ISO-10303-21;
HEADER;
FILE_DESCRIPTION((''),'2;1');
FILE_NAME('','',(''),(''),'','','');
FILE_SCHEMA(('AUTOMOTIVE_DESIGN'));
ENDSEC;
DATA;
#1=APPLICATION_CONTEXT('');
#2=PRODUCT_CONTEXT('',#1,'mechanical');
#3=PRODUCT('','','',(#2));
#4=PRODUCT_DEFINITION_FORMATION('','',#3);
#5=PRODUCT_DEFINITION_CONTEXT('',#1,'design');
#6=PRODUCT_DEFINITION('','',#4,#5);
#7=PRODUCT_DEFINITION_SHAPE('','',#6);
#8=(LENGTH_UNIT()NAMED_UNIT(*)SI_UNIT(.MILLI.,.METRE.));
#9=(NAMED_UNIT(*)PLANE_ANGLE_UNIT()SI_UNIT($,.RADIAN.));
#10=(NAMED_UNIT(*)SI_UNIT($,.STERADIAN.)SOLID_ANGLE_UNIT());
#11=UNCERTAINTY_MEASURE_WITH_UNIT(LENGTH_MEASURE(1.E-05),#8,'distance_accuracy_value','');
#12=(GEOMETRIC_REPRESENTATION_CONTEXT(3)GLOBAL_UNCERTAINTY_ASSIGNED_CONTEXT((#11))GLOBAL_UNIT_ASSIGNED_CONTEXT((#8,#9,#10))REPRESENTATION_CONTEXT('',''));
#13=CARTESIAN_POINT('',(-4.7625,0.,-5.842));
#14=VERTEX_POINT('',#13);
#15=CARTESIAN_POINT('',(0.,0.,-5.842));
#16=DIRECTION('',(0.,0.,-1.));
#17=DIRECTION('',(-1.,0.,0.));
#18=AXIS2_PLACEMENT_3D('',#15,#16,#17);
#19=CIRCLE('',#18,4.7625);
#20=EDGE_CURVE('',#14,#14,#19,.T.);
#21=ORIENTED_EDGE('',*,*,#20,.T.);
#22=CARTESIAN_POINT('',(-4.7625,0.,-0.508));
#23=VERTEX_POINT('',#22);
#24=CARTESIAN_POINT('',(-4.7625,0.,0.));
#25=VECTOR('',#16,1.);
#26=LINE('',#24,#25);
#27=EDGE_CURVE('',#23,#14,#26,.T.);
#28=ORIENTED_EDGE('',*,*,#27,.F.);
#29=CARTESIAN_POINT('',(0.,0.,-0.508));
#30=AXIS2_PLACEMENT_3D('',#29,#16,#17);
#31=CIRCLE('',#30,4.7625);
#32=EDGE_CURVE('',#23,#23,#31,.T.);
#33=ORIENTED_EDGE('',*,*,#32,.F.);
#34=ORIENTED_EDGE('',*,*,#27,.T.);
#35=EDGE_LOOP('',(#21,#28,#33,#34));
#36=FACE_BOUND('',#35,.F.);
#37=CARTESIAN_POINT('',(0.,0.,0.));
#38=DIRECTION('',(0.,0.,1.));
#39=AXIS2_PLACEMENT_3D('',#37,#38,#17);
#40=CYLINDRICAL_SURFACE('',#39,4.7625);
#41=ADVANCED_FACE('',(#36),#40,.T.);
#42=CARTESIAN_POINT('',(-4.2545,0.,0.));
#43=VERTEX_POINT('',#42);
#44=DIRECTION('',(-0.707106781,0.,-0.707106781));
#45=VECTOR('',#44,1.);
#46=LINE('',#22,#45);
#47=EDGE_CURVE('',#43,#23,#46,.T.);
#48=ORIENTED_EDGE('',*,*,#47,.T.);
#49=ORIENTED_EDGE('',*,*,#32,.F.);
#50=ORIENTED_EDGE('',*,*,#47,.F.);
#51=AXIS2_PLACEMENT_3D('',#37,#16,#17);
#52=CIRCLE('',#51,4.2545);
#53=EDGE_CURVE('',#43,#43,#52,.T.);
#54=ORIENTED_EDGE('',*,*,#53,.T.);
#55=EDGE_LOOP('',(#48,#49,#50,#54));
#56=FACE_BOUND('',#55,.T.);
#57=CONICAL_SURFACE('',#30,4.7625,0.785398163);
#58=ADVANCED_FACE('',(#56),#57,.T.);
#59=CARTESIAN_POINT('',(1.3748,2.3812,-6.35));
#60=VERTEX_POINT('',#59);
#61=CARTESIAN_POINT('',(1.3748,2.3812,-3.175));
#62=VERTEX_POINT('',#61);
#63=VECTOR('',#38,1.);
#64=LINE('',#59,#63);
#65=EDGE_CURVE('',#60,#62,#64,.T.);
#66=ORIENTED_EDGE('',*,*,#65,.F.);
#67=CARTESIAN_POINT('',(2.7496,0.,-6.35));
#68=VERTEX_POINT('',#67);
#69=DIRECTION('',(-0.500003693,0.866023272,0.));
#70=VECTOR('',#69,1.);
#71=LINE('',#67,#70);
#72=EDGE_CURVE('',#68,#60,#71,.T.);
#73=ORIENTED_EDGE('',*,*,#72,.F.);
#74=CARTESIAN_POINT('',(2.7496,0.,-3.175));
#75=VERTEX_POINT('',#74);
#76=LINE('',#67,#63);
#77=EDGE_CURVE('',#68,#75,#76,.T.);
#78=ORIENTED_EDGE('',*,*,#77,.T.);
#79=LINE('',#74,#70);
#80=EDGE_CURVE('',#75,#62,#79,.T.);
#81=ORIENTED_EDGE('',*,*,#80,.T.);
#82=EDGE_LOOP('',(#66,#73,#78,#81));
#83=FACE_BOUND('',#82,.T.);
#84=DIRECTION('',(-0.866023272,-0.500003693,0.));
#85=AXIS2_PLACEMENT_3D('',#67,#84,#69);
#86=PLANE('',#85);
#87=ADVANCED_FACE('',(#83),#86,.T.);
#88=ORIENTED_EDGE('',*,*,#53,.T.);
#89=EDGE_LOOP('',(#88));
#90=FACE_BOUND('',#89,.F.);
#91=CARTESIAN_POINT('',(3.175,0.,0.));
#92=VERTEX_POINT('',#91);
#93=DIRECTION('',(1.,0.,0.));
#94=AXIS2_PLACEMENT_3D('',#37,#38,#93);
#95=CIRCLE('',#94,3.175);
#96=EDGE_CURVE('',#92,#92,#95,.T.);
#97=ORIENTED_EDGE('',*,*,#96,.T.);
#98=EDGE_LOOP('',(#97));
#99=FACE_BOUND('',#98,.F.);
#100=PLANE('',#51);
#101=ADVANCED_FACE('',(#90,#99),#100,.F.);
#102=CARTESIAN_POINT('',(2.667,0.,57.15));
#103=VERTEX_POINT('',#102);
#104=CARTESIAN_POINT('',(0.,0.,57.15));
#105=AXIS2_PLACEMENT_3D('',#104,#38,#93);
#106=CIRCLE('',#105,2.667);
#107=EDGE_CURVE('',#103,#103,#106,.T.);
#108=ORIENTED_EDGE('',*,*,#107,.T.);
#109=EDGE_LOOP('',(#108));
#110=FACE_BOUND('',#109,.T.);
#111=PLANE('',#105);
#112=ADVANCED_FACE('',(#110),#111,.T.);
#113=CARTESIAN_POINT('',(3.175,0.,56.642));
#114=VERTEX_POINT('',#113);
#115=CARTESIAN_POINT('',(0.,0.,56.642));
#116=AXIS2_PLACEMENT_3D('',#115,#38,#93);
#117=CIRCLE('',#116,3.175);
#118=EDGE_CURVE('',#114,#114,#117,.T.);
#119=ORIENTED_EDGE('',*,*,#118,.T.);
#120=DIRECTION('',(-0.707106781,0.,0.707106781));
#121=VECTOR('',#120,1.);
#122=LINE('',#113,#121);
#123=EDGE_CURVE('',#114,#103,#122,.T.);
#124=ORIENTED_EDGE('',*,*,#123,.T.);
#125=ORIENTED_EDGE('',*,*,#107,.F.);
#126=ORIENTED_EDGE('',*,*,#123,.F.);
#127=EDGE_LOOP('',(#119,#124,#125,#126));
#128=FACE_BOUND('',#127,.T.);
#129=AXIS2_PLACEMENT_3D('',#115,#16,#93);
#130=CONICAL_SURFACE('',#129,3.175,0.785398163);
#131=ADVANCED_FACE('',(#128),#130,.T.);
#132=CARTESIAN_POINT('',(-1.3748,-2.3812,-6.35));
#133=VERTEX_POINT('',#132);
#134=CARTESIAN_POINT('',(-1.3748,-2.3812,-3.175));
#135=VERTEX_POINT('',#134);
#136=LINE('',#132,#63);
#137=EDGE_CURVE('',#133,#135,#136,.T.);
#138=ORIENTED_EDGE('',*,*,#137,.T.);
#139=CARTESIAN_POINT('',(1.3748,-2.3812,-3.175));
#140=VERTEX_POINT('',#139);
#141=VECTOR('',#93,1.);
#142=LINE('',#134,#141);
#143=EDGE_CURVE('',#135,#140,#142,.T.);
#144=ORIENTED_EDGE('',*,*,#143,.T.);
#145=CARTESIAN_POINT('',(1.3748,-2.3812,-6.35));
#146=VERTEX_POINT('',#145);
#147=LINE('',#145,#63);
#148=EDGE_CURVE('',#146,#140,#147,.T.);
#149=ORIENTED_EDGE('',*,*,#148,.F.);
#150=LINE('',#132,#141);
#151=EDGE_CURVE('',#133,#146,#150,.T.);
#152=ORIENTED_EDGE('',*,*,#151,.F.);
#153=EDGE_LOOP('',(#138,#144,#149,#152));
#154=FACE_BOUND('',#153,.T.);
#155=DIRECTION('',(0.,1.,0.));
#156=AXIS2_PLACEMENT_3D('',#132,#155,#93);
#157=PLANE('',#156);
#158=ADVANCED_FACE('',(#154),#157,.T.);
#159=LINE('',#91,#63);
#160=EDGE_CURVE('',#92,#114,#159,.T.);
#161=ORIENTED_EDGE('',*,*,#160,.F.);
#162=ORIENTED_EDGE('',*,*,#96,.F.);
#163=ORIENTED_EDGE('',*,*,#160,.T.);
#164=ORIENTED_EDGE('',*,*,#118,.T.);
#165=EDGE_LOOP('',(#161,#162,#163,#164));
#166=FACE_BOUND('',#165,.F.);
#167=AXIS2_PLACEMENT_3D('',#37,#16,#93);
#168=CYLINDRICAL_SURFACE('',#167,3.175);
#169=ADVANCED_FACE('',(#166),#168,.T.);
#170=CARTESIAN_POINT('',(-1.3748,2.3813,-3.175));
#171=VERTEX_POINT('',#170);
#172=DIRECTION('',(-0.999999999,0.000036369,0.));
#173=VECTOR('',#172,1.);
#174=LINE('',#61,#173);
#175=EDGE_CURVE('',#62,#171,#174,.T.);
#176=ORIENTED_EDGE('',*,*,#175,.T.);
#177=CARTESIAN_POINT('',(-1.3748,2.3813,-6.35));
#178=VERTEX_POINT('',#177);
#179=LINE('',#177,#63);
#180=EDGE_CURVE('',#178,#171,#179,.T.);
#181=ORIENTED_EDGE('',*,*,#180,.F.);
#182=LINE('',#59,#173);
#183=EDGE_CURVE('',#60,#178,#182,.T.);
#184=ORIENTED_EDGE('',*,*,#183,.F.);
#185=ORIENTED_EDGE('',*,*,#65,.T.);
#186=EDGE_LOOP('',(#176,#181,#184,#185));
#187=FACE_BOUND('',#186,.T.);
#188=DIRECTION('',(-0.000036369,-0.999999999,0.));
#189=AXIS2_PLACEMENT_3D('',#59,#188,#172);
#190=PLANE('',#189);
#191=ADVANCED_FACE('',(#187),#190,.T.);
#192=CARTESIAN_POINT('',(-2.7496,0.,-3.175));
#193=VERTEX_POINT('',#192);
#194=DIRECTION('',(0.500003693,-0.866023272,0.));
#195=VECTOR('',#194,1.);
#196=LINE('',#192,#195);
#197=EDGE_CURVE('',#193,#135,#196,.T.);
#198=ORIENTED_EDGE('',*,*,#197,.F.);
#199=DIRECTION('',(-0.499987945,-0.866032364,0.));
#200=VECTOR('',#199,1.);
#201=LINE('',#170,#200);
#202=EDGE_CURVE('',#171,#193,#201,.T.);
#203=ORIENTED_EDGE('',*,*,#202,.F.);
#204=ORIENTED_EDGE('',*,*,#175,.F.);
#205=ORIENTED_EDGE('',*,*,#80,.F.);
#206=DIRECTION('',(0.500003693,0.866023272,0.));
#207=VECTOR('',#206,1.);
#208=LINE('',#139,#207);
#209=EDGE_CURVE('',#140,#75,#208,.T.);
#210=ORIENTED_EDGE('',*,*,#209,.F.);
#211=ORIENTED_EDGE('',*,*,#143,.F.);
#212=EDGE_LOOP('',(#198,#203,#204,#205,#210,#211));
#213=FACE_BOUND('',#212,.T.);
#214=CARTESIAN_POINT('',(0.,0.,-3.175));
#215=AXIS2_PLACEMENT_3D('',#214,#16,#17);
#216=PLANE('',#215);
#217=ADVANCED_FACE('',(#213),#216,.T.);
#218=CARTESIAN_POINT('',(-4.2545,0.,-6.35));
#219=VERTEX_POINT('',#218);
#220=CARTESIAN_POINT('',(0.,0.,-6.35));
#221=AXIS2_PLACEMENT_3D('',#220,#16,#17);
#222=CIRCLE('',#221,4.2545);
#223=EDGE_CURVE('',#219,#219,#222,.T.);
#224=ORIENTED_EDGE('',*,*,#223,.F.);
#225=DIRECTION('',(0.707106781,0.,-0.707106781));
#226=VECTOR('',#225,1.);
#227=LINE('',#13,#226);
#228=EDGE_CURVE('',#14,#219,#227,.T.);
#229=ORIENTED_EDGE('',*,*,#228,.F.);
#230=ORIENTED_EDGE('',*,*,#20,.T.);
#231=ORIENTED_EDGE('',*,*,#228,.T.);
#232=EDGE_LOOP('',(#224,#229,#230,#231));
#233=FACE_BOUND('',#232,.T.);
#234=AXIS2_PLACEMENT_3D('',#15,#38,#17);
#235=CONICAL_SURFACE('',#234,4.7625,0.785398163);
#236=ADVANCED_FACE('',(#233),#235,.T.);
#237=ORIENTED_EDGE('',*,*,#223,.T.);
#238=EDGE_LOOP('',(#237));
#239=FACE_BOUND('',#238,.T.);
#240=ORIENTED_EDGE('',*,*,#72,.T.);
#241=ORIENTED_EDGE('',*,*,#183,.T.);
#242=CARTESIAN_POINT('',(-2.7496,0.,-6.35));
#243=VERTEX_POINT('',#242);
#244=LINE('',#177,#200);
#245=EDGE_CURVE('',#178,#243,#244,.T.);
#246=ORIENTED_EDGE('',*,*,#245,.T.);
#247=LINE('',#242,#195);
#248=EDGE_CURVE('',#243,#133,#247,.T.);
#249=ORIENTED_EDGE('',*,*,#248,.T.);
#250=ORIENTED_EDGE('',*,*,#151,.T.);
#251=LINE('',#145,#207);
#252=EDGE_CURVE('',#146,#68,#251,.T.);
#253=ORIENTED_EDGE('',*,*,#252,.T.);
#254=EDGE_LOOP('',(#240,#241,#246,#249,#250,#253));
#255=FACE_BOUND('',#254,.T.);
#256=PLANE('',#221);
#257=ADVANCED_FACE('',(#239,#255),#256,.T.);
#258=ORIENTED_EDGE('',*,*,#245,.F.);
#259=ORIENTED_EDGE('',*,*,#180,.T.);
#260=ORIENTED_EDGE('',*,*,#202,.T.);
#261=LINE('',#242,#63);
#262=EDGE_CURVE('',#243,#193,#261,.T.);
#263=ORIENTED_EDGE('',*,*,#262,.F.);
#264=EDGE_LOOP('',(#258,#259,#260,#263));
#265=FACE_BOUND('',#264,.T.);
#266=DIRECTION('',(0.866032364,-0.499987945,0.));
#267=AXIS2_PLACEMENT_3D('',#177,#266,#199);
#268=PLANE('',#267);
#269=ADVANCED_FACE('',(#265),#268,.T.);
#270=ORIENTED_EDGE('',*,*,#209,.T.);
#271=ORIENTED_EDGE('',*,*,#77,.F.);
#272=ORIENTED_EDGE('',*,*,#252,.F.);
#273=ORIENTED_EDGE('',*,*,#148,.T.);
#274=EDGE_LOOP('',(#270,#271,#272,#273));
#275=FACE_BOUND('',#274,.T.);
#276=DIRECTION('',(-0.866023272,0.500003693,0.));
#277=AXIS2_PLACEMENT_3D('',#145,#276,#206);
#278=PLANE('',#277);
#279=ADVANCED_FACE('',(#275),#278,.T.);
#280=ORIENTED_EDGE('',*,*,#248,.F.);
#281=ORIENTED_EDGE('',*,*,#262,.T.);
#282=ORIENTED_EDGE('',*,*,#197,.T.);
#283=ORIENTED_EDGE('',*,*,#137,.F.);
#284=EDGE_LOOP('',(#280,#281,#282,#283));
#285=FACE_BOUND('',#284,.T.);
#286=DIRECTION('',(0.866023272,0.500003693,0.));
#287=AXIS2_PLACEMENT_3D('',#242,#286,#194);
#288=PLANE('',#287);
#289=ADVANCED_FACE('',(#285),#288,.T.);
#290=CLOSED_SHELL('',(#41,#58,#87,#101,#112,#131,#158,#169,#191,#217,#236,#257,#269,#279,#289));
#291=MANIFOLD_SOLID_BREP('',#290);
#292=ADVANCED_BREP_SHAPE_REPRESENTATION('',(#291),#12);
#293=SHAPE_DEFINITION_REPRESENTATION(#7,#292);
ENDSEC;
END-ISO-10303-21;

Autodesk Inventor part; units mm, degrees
ref_plane "YZ Plane" through (0, 0, 0) normal (1, 0, 0) x (0, 1, 0)
ref_plane "XZ Plane" through (0, 0, 0) normal (0, 1, 0) x (-1, 0, 0)
ref_plane "XY Plane" through (0, 0, 0) normal (0, 0, 1) x (1, 0, 0)
sketch "Sketch1" plane through (0, 0, 0) normal (0, 0, 1) x (1, 0, 0)
  circle A0 centre (0, 0) radius 3.175
  dimension "d0" = 6.35
extrude "Extrusion1" add sketch "Sketch1" along normal blind 57.15
sketch "Sketch2" plane through (0, 0, 0) normal (0, 0, -1) x (-1, 0, 0)
  circle A0 centre (0, 0) radius 3.175 projected
  circle A1 centre (0, 0) radius 4.7625
  dimension "d3" = 9.525
extrude "Extrusion2" add sketch "Sketch2" along normal blind 6.35 contours A0 | A1
sketch "Sketch3" plane through (0, 0, -6.35) normal (0, 0, -1) x (-1, 0, 0)
  circle A0 centre (0, 0) radius 4.7625 projected
  line L0 (-1.3748, 2.3812) -> (1.3748, 2.3813)
  line L1 (1.3748, 2.3813) -> (2.7496, 0)
  line L2 (2.7496, 0) -> (1.3748, -2.3812)
  line L3 (1.3748, -2.3812) -> (-1.3748, -2.3812)
  line L4 (-1.3748, -2.3812) -> (-2.7496, 0)
  line L5 (-2.7496, 0) -> (-1.3748, 2.3812)
  dimension "d6" = 4.7625
extrude "Extrusion3" cut sketch "Sketch3" against normal blind 3.175 contours L0 L1 L2 L3 L4 L5
chamfer "Chamfer1" distance 0.508 angle 45 3 edges at (-3.175, 0, 57.15) (4.7625, 0, 0) (4.7625, 0, -6.35)
thread "Thread1" size "1/4-20 UNC" class "2A" standard "ANSI Unified Screw Threads" length 25.4
properties part number "14-20 x2500" material "Steel"
